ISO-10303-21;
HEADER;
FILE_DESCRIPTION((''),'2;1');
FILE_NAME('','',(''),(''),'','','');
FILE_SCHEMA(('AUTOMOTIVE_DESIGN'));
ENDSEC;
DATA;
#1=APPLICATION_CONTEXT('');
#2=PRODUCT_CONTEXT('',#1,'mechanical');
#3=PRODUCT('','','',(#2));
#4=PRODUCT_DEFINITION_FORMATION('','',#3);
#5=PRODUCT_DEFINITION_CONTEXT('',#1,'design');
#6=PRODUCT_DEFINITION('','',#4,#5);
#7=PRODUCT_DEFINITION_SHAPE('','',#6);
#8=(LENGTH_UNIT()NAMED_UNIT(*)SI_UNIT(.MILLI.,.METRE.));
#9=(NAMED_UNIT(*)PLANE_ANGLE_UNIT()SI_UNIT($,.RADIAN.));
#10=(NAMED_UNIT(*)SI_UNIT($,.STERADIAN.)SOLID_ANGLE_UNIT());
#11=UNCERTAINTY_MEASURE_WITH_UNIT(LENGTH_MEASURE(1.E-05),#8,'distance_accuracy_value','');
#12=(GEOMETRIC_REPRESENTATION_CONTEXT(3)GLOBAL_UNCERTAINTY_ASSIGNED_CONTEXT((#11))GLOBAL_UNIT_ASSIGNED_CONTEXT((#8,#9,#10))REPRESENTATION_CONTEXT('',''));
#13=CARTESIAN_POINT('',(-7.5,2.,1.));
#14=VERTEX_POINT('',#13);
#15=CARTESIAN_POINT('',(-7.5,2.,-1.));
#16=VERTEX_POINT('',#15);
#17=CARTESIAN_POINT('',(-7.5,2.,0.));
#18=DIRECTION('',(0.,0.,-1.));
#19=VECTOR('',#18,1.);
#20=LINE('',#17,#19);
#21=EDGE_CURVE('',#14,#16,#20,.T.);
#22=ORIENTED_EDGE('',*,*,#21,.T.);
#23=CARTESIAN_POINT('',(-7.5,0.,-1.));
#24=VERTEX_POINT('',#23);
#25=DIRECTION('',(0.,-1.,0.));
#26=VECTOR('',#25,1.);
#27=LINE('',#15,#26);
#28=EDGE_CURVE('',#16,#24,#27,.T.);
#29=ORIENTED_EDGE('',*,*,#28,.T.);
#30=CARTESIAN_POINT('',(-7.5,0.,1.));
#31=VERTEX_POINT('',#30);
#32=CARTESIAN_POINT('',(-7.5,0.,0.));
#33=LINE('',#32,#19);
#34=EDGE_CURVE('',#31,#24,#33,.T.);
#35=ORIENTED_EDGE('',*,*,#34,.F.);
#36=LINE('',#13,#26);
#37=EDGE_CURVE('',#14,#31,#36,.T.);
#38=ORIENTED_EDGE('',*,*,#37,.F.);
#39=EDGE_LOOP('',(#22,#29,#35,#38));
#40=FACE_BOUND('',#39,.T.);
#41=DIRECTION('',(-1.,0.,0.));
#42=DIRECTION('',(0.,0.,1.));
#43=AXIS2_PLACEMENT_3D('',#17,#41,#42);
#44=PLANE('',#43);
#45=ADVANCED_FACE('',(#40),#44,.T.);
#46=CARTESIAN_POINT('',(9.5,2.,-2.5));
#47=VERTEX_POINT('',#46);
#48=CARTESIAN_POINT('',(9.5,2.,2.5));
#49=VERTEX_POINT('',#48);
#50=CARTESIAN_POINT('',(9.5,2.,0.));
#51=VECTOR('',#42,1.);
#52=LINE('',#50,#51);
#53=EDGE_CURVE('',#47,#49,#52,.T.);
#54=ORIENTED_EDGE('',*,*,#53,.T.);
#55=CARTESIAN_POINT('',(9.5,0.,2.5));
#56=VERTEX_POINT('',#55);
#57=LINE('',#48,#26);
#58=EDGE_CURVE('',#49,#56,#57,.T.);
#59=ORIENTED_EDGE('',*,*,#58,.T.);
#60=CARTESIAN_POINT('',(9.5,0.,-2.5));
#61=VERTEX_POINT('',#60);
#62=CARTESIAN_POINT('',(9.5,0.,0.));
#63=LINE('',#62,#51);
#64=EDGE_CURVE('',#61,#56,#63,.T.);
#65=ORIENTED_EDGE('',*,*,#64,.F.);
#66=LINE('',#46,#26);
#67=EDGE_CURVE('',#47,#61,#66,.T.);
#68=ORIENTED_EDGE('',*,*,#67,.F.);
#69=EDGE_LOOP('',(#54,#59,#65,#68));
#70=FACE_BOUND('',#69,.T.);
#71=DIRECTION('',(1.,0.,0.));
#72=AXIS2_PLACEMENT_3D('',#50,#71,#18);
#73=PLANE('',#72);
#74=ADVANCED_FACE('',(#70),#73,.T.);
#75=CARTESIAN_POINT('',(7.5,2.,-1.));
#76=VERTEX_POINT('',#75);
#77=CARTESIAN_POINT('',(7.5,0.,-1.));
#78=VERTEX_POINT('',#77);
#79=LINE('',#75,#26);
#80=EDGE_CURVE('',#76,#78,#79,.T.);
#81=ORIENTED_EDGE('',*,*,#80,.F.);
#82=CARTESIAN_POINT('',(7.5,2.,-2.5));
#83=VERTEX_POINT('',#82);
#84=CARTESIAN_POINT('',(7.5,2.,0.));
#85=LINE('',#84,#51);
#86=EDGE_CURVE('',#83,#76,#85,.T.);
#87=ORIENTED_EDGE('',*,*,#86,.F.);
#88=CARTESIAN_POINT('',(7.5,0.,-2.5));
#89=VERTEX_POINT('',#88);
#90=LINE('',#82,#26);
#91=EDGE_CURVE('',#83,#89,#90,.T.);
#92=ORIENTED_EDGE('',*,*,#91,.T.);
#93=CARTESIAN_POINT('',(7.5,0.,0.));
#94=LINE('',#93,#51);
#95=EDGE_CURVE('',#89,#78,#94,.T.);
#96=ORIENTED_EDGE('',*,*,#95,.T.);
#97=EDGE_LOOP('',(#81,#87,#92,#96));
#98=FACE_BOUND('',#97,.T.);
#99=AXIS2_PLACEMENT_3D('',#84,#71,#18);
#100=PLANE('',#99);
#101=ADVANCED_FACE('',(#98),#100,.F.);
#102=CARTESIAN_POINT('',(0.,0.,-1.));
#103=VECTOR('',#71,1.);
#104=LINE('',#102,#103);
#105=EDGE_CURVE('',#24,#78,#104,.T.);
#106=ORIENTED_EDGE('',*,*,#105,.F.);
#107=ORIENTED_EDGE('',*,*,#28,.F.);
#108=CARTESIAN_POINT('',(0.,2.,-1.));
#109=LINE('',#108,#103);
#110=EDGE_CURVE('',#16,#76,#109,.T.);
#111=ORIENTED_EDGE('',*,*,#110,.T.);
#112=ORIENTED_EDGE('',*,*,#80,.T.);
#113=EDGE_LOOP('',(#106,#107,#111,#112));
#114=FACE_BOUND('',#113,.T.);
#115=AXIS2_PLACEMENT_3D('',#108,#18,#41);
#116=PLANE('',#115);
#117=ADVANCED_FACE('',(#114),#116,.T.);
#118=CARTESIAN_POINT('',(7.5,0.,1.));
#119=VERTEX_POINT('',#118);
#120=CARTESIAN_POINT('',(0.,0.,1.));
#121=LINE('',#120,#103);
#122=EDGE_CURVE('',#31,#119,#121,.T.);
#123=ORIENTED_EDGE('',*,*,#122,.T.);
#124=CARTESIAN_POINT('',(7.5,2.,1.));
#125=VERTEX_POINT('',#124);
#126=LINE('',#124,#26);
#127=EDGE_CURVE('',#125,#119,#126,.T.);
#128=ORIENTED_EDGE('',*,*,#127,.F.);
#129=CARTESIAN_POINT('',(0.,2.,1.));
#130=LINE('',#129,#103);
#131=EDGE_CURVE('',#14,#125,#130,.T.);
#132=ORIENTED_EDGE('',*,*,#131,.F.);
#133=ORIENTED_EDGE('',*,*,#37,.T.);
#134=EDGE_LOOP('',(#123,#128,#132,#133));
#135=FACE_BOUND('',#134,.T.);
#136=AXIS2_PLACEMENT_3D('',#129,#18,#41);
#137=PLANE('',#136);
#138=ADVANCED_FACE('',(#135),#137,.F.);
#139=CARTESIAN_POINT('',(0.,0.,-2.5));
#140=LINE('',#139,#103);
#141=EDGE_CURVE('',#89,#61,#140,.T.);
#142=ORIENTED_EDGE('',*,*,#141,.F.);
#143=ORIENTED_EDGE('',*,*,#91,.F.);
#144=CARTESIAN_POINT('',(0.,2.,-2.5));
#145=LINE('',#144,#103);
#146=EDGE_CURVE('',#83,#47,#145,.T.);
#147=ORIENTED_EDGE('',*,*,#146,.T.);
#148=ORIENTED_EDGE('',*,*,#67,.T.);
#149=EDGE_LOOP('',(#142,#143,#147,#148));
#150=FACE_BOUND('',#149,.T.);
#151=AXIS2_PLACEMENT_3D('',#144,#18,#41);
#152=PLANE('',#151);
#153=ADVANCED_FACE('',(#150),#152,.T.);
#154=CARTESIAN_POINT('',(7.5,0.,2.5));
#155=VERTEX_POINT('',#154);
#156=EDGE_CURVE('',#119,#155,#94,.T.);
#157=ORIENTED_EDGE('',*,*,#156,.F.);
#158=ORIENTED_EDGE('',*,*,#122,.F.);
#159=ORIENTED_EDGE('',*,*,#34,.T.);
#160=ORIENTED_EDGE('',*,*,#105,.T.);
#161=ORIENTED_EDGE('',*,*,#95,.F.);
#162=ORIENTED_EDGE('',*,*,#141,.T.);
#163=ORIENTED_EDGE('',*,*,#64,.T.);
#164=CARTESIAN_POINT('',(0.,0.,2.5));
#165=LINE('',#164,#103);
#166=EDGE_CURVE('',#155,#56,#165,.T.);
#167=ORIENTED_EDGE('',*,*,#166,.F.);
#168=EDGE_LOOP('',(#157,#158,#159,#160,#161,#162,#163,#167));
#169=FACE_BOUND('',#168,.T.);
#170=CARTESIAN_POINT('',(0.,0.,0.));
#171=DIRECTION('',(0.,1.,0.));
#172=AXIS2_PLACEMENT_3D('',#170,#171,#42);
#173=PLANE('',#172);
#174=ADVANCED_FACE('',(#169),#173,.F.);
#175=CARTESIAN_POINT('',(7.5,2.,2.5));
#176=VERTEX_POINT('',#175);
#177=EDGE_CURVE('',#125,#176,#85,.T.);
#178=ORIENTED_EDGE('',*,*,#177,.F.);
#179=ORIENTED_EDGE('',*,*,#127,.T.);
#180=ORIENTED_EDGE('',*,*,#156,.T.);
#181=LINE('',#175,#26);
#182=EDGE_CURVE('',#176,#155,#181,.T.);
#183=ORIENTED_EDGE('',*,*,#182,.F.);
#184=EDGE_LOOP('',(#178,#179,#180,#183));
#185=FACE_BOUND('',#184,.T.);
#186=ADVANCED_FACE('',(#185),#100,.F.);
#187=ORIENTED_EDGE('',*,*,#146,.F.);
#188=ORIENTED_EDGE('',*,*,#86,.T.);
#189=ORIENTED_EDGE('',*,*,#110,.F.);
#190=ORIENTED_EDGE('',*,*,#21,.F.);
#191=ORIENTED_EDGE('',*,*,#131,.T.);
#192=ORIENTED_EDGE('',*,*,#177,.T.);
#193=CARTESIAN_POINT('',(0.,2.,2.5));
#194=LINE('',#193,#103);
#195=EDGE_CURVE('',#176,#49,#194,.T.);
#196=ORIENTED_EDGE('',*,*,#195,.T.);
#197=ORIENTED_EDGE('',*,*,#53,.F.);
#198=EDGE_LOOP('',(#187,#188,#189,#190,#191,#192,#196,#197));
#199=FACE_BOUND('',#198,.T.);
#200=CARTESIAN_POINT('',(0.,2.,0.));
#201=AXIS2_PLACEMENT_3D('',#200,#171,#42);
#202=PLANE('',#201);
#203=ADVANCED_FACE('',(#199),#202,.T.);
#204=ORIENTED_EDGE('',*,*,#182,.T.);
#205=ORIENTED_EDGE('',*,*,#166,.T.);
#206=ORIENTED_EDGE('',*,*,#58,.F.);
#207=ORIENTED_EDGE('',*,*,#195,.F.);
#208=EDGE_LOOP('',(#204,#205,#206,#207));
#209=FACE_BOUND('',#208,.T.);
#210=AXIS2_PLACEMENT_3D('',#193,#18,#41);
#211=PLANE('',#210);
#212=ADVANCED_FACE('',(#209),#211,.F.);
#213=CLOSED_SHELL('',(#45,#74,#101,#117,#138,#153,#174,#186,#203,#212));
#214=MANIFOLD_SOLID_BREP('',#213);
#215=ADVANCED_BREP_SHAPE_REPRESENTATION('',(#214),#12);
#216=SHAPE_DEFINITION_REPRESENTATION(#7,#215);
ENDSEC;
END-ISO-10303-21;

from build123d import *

# Parameters (mm, degrees)
SKETCH1_W           = 15
SKETCH1_H           = 2
BOSS_EXTRUDE1_DEPTH = 2


with BuildPart() as part:
    # Sketch1 → Boss-Extrude1 (new body)
    with BuildSketch(Plane(origin=(0, 0, 0), x_dir=(1, 0, 0), z_dir=(0, 1, 0))):
        Rectangle(SKETCH1_W, SKETCH1_H)
        Polygon((7.5, 1), (7.5, -1), (7.5, -2.5), (9.5, -2.5), (9.5, 2.5), (7.5, 2.5), align=None)
    extrude(amount=BOSS_EXTRUDE1_DEPTH)


solid = part.part
